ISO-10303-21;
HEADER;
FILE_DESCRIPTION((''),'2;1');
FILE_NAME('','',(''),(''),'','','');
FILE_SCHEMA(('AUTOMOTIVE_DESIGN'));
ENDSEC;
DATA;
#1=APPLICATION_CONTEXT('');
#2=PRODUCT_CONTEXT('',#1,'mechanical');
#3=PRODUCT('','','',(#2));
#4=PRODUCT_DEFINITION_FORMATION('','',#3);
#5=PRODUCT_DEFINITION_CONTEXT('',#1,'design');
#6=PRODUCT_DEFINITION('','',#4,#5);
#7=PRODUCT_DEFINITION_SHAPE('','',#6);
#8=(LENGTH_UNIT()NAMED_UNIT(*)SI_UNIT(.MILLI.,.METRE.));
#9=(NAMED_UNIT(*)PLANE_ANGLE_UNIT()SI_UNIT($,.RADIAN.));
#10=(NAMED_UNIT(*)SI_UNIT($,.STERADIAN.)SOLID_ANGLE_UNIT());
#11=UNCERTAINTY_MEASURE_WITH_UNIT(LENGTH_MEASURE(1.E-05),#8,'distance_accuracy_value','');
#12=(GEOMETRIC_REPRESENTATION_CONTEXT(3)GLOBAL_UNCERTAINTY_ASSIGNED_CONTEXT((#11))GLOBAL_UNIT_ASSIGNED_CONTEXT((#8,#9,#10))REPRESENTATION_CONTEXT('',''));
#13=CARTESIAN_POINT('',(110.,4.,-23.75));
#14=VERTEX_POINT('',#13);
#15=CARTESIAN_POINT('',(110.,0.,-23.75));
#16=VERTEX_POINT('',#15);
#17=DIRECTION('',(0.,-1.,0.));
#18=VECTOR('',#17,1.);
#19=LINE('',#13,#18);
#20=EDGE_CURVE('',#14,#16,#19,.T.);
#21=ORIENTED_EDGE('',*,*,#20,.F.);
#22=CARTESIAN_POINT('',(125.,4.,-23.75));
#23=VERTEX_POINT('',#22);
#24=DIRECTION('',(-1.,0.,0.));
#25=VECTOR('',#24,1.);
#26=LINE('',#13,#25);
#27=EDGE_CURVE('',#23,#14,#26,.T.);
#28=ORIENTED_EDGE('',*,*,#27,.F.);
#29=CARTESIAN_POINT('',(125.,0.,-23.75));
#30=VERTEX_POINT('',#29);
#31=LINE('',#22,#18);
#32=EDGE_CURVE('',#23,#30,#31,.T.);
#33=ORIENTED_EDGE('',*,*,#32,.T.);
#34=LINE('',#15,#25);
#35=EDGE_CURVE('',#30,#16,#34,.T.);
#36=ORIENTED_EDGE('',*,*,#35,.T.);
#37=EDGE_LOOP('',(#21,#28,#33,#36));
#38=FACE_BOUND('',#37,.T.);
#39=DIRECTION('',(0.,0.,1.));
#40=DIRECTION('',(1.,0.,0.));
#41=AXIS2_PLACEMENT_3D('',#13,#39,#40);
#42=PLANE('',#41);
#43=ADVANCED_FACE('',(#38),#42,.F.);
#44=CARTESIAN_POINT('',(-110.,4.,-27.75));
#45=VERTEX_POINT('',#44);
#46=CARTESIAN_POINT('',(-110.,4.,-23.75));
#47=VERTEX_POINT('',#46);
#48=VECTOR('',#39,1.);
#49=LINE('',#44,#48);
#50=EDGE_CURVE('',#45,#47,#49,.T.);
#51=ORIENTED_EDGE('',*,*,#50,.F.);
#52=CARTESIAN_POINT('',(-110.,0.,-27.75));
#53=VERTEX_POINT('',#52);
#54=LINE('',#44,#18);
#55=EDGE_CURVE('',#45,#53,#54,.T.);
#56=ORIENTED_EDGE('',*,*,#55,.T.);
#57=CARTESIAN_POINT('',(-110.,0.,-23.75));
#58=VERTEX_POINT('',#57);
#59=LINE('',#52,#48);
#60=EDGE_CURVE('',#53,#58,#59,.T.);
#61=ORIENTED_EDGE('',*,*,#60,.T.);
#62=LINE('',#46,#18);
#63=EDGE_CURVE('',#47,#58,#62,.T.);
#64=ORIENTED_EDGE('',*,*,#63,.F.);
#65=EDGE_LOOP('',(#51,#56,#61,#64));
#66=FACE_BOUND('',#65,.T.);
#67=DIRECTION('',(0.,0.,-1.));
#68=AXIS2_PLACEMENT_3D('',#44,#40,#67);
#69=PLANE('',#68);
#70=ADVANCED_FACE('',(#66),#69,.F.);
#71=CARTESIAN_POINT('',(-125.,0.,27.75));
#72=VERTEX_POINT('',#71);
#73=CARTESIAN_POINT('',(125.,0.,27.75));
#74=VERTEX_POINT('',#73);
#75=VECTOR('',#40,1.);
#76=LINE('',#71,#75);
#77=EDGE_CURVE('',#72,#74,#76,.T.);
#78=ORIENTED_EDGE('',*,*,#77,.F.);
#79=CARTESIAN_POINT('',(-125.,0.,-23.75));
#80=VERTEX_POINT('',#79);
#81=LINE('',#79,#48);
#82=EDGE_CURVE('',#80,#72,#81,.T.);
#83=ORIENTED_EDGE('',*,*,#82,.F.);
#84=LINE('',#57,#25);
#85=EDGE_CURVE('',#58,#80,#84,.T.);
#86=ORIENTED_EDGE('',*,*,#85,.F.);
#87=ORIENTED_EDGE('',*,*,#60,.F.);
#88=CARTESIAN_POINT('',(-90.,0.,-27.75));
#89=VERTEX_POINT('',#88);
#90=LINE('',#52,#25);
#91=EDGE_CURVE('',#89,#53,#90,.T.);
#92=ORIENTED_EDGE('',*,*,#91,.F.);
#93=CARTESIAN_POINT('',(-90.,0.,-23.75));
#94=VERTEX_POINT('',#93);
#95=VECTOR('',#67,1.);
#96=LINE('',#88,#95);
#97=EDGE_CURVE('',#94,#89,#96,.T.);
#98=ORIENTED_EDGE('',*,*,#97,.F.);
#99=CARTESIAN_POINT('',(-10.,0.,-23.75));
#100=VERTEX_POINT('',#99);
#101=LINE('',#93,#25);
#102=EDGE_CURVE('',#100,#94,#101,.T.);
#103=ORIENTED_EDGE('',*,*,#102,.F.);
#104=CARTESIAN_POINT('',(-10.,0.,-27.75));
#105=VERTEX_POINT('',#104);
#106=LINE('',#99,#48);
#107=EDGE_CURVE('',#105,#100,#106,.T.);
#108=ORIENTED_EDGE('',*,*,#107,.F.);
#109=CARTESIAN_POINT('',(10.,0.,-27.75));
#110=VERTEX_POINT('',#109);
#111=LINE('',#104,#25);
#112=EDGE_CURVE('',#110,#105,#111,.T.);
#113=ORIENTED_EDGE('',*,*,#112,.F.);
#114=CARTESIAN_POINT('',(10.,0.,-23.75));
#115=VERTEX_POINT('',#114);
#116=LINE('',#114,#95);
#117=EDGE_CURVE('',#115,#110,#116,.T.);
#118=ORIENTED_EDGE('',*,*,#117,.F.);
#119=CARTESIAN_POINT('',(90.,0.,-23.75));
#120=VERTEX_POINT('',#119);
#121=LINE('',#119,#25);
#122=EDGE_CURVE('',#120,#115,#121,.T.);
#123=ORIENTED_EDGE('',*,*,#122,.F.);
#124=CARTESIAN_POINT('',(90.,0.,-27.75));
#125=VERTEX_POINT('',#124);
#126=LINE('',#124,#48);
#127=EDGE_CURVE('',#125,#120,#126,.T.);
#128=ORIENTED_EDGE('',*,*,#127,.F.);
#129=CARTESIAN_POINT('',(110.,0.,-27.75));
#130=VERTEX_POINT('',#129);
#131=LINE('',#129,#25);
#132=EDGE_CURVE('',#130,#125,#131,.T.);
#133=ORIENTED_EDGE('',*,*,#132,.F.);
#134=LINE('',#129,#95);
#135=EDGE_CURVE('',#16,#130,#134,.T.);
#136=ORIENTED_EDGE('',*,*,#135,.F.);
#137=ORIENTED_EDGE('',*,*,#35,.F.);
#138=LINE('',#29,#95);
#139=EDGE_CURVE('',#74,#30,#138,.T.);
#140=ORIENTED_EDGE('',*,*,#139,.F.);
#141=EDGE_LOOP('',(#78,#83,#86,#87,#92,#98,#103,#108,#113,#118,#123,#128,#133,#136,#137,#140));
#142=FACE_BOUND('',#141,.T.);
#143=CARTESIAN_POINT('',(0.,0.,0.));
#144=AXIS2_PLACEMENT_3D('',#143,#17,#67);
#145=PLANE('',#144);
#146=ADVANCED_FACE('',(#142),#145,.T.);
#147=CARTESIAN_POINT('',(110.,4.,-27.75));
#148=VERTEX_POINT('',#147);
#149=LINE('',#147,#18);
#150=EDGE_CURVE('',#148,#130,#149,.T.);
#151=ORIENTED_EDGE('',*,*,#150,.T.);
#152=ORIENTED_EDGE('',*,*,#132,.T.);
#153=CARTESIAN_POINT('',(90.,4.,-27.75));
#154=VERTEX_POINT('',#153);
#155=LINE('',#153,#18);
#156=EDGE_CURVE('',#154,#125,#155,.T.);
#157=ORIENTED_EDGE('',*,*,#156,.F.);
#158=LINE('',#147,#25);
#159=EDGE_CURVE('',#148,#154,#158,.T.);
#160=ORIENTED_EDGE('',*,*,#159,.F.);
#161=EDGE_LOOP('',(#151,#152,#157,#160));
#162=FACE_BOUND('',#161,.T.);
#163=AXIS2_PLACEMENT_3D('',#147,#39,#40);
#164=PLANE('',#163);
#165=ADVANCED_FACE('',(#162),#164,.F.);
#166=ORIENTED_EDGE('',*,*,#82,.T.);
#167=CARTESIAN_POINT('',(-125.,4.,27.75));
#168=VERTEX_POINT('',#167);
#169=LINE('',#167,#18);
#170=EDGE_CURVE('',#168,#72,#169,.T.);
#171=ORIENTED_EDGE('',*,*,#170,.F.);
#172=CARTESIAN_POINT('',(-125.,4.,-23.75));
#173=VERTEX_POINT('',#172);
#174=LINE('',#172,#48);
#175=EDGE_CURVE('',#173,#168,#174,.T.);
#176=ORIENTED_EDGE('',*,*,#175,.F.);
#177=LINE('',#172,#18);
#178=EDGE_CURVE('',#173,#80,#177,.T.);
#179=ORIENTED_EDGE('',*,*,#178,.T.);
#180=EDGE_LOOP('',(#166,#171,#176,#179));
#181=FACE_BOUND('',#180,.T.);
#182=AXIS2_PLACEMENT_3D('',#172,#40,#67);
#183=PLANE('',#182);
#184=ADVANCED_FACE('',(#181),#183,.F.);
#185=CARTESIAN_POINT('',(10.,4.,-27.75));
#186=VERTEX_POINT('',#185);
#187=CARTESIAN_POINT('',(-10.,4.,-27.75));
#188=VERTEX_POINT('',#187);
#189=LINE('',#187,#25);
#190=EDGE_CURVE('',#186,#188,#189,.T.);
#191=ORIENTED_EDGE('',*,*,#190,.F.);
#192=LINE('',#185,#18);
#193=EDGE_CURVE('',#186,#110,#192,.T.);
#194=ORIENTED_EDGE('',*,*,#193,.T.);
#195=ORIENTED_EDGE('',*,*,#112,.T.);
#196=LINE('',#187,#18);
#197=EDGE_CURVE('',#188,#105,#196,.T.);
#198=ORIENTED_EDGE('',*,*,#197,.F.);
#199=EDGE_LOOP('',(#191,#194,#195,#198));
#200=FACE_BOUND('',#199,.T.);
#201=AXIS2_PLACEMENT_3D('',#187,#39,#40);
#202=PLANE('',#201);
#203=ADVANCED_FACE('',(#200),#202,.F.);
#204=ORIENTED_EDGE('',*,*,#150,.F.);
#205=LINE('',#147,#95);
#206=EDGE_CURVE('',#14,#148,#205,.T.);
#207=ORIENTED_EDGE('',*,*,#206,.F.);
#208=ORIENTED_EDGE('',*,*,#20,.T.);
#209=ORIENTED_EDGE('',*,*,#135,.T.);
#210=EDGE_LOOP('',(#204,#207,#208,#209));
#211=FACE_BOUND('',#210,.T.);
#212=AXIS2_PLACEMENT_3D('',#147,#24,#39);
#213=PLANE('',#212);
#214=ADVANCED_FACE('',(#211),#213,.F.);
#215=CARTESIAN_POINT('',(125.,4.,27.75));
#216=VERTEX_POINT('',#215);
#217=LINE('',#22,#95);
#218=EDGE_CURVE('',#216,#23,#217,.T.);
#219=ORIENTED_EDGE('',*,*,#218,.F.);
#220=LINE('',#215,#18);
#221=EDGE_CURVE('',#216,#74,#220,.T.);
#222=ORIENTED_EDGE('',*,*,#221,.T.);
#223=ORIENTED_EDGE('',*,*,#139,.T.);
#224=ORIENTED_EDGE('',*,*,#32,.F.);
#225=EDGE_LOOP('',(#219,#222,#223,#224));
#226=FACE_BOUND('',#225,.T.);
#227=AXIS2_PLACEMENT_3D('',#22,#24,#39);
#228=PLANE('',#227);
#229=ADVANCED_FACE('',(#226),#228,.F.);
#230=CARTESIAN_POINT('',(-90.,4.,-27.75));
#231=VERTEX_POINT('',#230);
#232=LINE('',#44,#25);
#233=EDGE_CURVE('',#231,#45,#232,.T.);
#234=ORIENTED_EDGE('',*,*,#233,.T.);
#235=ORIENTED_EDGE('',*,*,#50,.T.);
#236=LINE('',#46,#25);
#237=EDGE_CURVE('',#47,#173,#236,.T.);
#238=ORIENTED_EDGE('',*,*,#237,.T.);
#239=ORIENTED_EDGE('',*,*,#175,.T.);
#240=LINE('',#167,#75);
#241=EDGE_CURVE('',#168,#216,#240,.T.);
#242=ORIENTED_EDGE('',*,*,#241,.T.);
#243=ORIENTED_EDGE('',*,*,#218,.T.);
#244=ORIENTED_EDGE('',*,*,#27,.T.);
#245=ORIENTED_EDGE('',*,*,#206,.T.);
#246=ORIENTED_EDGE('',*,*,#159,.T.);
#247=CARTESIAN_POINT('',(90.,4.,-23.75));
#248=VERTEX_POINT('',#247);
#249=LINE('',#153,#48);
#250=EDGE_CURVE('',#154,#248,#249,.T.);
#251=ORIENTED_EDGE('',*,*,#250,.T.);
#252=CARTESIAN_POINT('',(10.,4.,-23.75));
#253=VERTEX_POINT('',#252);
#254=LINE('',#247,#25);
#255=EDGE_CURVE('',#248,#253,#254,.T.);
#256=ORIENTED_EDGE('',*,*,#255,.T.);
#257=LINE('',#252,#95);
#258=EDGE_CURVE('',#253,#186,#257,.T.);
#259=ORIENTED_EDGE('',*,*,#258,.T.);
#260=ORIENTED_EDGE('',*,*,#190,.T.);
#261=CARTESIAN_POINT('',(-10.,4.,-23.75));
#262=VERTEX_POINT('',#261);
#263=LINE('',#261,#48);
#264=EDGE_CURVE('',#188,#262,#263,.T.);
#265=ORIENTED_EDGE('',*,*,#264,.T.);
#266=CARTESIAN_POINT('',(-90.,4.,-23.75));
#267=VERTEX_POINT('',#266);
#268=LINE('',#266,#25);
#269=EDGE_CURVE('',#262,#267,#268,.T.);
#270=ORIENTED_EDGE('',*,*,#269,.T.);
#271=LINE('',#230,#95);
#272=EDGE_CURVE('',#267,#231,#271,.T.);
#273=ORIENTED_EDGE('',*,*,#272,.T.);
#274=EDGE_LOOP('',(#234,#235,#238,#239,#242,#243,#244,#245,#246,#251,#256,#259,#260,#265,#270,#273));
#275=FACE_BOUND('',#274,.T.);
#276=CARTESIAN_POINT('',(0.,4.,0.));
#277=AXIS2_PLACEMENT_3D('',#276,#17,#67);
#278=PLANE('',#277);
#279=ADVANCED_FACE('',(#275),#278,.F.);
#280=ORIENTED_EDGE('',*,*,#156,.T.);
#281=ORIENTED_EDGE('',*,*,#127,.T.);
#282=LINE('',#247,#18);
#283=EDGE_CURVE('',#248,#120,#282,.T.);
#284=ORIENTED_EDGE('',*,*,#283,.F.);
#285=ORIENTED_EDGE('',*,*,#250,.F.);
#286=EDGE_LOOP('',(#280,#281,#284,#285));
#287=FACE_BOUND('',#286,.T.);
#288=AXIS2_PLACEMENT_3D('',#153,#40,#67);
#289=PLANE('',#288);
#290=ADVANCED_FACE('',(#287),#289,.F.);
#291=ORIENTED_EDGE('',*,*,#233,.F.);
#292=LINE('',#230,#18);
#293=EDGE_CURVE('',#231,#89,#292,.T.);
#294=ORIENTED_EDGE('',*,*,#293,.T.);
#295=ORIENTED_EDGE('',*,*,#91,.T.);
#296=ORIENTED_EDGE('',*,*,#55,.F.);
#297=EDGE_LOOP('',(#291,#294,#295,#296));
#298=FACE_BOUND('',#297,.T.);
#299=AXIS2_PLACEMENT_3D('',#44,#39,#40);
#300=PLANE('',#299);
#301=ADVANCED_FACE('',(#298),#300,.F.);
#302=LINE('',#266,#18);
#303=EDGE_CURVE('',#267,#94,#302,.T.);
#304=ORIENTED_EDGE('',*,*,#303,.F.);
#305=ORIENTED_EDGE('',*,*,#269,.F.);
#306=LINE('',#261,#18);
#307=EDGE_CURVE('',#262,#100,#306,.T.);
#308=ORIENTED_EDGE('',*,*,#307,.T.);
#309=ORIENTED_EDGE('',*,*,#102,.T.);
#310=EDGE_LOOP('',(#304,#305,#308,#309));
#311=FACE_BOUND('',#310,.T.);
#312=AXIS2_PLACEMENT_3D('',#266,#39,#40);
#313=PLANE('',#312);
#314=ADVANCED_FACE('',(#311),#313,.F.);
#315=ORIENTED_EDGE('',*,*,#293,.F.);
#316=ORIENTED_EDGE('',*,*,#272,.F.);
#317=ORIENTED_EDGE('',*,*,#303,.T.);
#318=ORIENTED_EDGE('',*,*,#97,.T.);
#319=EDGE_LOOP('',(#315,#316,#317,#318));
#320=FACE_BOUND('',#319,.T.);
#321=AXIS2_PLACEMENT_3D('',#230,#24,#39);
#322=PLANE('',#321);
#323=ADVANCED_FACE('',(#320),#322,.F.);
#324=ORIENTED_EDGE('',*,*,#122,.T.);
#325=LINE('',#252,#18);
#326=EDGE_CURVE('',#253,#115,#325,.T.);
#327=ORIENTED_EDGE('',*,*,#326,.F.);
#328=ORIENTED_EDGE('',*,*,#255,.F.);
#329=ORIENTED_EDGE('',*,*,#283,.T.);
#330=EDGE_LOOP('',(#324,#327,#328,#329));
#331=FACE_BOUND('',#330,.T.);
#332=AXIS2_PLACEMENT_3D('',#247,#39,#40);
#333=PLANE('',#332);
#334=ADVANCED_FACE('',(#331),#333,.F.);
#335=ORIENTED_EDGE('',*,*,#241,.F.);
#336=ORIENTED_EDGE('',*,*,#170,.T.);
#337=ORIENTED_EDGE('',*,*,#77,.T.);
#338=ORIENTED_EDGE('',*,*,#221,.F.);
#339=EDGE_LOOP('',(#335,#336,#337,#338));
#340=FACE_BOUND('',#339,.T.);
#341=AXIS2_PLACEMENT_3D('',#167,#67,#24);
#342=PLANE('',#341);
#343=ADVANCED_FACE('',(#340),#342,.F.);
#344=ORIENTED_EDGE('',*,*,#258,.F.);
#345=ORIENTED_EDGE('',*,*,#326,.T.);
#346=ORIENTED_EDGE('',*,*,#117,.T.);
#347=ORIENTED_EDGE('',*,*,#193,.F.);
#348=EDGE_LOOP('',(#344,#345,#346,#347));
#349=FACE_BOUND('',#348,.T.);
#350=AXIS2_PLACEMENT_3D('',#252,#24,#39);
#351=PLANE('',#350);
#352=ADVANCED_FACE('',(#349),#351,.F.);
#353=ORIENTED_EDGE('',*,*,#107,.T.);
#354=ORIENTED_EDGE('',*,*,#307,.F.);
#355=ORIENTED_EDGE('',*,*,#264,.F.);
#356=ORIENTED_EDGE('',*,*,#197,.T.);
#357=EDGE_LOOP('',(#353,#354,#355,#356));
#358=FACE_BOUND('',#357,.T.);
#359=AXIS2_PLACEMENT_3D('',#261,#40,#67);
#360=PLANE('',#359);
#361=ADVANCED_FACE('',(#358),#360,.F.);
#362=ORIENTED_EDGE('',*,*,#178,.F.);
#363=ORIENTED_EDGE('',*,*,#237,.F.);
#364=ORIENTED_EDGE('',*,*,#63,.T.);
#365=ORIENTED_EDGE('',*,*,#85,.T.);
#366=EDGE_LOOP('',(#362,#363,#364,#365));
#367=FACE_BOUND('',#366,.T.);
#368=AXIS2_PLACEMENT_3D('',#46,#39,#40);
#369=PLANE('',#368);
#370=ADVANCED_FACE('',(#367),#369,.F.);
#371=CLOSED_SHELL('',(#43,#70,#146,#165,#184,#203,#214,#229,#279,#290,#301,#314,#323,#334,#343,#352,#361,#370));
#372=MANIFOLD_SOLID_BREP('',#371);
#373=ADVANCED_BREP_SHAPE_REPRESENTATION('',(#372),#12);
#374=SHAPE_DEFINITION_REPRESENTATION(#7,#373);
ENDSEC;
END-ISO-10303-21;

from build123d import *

# Parameters (mm, degrees)
BOSS_EXTRUDE1_DEPTH = 4


with BuildPart() as part:
    # Sketch1 → Boss-Extrude1 (new body)
    with BuildSketch(Plane(origin=(0, 0, 0), x_dir=(1, 0, 0), z_dir=(0, 1, 0))):
        Polygon((-110, 27.75), (-90, 27.75), (-90, 23.75), (-10, 23.75), (-10, 27.75), (10, 27.75), (10, 23.75), (90, 23.75), (90, 27.75), (110, 27.75), (110, 23.75), (125, 23.75), (125, -27.75), (-125, -27.75), (-125, 23.75), (-110, 23.75), align=None)
    extrude(amount=BOSS_EXTRUDE1_DEPTH)


solid = part.part
